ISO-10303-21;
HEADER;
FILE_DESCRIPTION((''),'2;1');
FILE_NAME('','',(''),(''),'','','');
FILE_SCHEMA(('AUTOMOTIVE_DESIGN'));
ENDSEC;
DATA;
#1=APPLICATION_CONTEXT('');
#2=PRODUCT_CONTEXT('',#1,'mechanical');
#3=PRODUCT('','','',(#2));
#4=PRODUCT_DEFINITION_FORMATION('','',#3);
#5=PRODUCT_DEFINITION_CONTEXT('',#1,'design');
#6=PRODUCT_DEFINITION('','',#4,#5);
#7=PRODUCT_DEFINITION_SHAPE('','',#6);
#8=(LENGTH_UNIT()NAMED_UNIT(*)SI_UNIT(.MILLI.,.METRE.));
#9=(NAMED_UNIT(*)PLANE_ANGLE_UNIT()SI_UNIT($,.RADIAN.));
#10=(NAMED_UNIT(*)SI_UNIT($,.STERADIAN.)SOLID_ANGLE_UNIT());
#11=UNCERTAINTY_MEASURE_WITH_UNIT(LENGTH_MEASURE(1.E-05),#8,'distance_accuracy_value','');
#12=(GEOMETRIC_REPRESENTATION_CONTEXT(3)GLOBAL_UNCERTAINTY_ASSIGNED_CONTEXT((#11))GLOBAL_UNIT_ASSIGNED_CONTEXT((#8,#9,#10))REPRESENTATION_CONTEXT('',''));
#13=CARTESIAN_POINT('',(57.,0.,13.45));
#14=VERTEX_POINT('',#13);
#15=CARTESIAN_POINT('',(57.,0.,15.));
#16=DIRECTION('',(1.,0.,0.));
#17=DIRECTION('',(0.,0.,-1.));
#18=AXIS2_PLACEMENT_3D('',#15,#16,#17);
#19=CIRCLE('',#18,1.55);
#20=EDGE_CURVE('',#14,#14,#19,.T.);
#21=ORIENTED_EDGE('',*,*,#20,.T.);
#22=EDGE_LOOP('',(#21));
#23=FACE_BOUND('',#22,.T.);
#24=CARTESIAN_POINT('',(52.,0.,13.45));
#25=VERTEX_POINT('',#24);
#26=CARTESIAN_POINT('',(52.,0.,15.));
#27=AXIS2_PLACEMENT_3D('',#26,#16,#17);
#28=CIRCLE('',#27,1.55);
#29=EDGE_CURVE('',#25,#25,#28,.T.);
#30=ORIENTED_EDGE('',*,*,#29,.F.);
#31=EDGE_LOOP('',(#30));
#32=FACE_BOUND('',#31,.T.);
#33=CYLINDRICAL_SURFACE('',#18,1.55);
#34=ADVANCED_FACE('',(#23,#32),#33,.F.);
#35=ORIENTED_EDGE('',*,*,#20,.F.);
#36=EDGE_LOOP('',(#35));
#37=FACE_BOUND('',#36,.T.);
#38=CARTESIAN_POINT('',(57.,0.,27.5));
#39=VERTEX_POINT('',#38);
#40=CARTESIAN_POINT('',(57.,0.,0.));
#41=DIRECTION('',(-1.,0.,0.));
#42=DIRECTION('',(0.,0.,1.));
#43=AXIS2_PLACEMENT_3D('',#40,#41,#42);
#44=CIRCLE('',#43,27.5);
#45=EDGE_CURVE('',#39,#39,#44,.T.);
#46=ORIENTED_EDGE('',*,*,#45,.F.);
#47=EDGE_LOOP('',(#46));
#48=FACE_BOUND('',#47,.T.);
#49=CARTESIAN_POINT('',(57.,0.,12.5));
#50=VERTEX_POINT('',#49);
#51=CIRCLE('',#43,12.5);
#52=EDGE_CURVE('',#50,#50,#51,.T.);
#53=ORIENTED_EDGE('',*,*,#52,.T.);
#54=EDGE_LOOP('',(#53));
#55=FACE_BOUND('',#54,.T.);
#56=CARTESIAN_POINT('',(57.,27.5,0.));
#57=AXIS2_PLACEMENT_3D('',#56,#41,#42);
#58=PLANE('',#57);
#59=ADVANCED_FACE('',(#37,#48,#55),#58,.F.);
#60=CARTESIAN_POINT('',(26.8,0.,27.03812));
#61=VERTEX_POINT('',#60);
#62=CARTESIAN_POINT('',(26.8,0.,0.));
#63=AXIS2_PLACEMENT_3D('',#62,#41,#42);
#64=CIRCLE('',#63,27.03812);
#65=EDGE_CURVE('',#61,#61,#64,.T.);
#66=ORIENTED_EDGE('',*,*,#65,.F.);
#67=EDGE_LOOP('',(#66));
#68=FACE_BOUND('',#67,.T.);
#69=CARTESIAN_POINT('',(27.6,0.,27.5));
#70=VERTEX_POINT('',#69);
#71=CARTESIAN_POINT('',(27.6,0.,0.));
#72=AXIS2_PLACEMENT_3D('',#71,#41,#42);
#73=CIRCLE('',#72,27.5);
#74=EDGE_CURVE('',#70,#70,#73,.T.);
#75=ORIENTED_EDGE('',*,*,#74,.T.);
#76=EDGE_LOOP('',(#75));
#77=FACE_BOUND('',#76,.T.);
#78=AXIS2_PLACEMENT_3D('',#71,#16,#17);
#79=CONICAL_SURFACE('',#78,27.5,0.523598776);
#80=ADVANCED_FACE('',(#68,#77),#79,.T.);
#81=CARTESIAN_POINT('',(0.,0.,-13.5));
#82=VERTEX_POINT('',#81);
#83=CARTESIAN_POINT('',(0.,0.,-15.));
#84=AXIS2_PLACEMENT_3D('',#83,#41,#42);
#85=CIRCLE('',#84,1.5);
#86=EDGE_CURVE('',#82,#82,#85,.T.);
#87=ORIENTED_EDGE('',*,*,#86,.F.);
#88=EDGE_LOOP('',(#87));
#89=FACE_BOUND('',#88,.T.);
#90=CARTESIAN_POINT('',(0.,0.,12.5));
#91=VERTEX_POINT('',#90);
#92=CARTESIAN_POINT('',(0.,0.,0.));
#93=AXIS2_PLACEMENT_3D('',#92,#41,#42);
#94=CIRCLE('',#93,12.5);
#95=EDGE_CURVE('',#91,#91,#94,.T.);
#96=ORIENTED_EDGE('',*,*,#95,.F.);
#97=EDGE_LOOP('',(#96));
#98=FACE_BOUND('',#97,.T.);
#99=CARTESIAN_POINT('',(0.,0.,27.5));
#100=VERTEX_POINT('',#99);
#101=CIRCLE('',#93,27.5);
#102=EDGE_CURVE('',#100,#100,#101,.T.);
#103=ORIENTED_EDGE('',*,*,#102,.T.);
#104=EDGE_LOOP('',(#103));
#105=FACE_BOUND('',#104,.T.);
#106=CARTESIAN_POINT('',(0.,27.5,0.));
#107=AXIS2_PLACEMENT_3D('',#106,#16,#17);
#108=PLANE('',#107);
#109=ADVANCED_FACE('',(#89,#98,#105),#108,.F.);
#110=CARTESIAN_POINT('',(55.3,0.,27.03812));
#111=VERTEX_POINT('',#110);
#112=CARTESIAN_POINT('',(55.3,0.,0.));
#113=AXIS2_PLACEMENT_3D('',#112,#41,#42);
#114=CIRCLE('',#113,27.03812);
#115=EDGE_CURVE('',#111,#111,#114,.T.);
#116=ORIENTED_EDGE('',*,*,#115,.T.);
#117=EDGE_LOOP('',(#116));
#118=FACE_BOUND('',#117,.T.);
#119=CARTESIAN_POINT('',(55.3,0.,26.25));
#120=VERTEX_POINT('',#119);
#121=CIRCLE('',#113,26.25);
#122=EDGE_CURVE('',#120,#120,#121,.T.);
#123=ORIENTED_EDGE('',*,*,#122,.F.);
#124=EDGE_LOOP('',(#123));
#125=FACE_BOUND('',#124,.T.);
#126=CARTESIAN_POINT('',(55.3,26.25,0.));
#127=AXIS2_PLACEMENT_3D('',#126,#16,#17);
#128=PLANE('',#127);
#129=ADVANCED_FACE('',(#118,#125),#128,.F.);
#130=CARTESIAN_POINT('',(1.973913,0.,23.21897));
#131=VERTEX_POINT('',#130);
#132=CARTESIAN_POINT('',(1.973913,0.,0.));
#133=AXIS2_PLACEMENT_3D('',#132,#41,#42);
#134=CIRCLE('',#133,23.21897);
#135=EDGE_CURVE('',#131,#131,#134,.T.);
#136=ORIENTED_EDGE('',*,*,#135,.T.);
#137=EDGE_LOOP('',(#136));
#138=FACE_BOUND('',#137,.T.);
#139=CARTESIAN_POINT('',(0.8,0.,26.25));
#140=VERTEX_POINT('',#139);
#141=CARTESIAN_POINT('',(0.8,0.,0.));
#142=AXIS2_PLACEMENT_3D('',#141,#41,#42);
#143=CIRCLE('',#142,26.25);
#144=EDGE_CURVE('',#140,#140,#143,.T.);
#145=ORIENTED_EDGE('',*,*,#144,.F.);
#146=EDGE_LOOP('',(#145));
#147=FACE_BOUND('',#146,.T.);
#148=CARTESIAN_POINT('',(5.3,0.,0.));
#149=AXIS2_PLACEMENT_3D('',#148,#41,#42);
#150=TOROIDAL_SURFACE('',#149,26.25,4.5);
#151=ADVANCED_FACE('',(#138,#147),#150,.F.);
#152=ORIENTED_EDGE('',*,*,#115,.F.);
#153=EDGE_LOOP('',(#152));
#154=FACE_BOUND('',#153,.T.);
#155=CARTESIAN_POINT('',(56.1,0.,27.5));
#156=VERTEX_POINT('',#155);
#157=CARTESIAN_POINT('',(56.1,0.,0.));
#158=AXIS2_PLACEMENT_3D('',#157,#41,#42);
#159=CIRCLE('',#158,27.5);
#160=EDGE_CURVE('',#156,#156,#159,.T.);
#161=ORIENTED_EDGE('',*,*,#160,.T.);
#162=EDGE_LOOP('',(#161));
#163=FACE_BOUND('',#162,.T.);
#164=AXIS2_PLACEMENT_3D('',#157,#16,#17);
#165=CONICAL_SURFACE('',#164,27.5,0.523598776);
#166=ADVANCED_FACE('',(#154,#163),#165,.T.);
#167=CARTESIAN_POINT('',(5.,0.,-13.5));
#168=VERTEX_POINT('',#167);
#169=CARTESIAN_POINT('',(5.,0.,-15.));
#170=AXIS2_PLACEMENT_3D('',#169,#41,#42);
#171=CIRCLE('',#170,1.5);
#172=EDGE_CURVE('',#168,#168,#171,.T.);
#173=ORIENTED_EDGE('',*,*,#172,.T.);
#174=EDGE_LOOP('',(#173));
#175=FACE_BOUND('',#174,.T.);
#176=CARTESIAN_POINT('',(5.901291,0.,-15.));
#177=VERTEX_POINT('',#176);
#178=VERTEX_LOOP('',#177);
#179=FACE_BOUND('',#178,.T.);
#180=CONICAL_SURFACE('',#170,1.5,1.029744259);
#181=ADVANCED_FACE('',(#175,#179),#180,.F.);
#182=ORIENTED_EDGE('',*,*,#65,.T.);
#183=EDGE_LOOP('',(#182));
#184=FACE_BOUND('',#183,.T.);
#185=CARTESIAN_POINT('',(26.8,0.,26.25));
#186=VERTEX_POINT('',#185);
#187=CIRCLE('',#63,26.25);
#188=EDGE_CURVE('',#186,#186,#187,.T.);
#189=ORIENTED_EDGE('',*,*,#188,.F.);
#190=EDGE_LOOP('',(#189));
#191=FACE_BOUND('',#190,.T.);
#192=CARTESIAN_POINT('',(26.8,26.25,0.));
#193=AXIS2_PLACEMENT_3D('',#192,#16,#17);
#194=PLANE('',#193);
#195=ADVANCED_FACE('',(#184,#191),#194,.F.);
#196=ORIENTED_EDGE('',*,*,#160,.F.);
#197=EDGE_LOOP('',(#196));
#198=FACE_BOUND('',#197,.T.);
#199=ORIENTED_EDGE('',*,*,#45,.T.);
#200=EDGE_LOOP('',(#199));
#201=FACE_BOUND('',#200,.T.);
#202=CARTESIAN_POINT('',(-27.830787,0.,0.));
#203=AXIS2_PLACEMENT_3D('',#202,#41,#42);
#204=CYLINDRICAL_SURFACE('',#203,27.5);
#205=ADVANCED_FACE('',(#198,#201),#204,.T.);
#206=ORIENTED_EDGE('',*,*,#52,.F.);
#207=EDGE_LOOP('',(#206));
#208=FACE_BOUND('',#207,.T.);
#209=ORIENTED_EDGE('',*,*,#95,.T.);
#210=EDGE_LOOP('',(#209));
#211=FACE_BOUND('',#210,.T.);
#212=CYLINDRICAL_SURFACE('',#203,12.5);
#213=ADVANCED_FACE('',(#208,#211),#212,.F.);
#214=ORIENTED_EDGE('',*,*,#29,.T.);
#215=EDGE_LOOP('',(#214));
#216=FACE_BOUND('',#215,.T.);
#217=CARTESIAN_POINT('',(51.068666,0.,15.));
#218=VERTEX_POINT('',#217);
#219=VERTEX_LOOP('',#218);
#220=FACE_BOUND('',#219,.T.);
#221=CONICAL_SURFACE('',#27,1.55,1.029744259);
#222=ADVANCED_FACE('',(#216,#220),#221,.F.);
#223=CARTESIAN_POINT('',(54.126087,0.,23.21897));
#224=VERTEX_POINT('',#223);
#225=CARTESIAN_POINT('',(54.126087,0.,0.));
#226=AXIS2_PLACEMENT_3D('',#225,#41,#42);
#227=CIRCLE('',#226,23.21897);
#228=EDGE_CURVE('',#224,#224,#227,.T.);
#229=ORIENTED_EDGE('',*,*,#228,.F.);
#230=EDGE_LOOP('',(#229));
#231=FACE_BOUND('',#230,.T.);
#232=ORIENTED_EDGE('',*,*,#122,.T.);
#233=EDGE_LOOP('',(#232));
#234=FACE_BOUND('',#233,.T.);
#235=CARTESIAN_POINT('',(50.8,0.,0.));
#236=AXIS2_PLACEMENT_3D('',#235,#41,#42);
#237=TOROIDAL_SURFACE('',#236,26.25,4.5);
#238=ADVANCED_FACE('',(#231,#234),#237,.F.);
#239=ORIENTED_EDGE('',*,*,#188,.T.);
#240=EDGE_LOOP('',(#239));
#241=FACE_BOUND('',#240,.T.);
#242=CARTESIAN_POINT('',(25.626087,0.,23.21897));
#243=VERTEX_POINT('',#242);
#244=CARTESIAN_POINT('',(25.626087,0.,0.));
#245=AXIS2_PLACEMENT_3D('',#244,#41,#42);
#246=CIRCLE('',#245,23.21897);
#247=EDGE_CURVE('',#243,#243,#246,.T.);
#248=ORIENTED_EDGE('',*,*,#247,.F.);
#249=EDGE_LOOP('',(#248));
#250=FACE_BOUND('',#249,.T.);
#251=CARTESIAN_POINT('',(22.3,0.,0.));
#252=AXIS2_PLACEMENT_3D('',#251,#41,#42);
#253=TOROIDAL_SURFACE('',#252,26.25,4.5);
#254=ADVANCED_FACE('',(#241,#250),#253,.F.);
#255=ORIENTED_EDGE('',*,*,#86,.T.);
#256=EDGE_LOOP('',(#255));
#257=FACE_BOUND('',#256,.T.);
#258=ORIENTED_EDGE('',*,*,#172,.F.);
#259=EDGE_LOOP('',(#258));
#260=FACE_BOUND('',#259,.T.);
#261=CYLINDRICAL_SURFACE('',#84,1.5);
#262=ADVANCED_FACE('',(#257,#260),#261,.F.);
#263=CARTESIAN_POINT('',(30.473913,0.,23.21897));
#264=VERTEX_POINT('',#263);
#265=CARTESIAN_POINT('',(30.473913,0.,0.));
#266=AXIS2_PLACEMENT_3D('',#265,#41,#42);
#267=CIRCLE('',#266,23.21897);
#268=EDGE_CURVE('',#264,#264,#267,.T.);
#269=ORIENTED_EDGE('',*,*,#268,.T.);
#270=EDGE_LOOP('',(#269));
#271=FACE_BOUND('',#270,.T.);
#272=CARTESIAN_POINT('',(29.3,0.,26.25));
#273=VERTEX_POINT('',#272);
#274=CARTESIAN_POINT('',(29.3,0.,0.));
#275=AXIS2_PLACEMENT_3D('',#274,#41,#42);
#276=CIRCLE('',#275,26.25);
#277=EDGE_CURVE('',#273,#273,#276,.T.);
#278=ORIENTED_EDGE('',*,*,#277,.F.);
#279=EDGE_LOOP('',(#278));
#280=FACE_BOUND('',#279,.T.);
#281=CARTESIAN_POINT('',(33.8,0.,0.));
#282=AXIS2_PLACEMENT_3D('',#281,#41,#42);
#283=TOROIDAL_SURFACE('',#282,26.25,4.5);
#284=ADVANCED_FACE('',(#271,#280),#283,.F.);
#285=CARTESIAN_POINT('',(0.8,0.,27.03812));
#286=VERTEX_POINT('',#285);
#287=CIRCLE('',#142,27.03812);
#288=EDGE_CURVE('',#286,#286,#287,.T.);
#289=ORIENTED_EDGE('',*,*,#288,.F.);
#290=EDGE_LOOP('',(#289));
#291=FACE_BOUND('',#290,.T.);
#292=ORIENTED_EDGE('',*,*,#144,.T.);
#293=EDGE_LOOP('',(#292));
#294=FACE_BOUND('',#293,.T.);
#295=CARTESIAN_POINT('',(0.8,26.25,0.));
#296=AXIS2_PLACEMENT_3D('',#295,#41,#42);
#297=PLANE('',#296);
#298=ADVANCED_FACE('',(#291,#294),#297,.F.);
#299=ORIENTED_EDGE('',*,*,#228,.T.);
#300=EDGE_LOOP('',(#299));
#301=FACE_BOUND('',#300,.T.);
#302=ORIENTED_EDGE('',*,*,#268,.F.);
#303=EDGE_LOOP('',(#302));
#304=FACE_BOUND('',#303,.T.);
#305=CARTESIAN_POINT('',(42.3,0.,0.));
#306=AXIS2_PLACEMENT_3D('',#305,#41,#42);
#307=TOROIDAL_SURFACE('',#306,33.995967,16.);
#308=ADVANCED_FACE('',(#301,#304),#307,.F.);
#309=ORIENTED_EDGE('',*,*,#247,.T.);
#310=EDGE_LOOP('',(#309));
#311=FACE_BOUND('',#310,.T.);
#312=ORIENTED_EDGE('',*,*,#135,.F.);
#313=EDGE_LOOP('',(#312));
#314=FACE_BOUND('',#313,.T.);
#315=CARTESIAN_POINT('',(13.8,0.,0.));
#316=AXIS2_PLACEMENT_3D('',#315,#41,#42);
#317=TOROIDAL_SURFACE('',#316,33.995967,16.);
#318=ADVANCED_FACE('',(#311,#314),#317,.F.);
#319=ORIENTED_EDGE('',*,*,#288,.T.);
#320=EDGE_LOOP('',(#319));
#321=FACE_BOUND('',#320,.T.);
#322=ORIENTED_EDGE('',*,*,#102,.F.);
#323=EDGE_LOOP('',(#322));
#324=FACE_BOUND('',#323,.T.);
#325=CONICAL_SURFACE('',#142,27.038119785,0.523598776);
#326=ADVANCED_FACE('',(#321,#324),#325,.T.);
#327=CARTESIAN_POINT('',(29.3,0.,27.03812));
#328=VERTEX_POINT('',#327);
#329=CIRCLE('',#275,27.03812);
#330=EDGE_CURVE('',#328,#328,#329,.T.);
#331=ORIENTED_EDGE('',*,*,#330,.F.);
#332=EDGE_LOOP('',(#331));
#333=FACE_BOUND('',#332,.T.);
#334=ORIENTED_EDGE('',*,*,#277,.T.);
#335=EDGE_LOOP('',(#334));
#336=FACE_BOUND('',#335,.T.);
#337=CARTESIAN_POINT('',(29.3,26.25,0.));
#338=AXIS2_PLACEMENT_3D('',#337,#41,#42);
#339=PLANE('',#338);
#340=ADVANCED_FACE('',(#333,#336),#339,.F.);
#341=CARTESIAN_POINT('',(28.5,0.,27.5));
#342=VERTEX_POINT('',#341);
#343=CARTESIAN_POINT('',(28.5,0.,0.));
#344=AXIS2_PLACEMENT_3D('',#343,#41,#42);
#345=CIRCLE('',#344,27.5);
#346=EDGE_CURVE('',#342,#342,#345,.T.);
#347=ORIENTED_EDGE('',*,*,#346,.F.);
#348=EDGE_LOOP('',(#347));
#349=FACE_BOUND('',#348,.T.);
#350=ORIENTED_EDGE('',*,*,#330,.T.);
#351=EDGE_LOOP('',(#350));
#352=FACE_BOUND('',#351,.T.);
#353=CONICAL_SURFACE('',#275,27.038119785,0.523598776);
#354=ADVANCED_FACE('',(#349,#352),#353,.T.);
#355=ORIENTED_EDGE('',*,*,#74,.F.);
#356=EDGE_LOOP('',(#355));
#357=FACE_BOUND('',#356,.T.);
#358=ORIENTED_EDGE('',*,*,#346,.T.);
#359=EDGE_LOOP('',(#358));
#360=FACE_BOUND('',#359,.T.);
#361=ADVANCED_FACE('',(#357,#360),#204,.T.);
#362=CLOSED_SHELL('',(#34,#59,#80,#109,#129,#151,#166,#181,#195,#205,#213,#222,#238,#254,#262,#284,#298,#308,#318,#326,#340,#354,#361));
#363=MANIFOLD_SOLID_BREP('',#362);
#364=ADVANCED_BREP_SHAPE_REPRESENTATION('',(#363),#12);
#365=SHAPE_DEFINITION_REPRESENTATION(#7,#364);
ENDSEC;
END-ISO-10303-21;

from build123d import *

# Parameters (mm, degrees)
F_3_0_3_DURCHMESSER_BOHRUNG2_D       = 3
F_3_0_3_DURCHMESSER_BOHRUNG2_DEPTH   = 5
F_3_0_3_DURCHMESSER_BOHRUNG2_TIP     = 0.901290929
F_3_1_3_1_DURCHMESSER_BOHRUNG2_D     = 3.1
F_3_1_3_1_DURCHMESSER_BOHRUNG2_DEPTH = 5
F_3_1_3_1_DURCHMESSER_BOHRUNG2_TIP   = 0.931333959


with BuildPart() as part:
    # Skizze1 → Rotation2 (revolve)
    with BuildSketch(Plane.XY, mode=Mode.PRIVATE) as rotation2_sk:
        with BuildLine():
            Line((0, 12.5), (57, 12.5))
            Line((57, 12.5), (57, 27.5))
            Line((57, 27.5), (56.1, 27.5))
            Line((56.1, 27.5), (55.3, 27.038119785))
            Line((55.3, 27.038119785), (55.3, 26.25))
            ThreePointArc((55.3, 26.25), (54.996271637, 24.624790983), (54.126086957, 23.218969555))
            ThreePointArc((54.126086957, 23.218969555), (48.599332181, 19.288199558), (41.940765292, 18))
            ThreePointArc((41.940765292, 18), (35.672034489, 19.43334079), (30.473913043, 23.218969555))
            ThreePointArc((30.473913043, 23.218969555), (29.603728363, 24.624790983), (29.3, 26.25))
            Line((29.3, 26.25), (29.3, 27.038119785))
            Line((29.3, 27.038119785), (28.5, 27.5))
            Line((28.5, 27.5), (27.6, 27.5))
            Line((27.6, 27.5), (26.8, 27.038119785))
            Line((26.8, 27.038119785), (26.8, 26.25))
            ThreePointArc((26.8, 26.25), (26.496271637, 24.624790983), (25.626086957, 23.218969555))
            ThreePointArc((25.626086957, 23.218969555), (20.099332181, 19.288199558), (13.440765292, 18))
            ThreePointArc((13.440765292, 18), (7.172034489, 19.43334079), (1.973913043, 23.218969555))
            ThreePointArc((1.973913043, 23.218969555), (1.103728363, 24.624790983), (0.8, 26.25))
            Line((0.8, 26.25), (0.8, 27.038119785))
            Line((0.8, 27.038119785), (0, 27.5))
            Line((0, 27.5), (0, 12.5))
        make_face()
    revolve(rotation2_sk.sketch.rotate(Axis((-27.830787446, 0, 0), (1, 0, 0)), 90), axis=Axis((-27.830787446, 0, 0), (1, 0, 0)))

    # Ø3.0 (3) Durchmesser Bohrung2
    with Locations(Plane.ZY):
        with Locations((-15, 0)):
            Hole(F_3_0_3_DURCHMESSER_BOHRUNG2_D / 2, depth=F_3_0_3_DURCHMESSER_BOHRUNG2_DEPTH)
            with Locations((0, 0, -(F_3_0_3_DURCHMESSER_BOHRUNG2_DEPTH + F_3_0_3_DURCHMESSER_BOHRUNG2_TIP / 2))):  # 118° drill point
                Cone(0, F_3_0_3_DURCHMESSER_BOHRUNG2_D / 2, F_3_0_3_DURCHMESSER_BOHRUNG2_TIP, mode=Mode.SUBTRACT)

    # Ø3.1 (3.1) Durchmesser Bohrung2
    with Locations(Plane(origin=(57, 0, 0), x_dir=(0, 0, -1), z_dir=(1, 0, 0))):
        with Locations((-15, 0)):
            Hole(F_3_1_3_1_DURCHMESSER_BOHRUNG2_D / 2, depth=F_3_1_3_1_DURCHMESSER_BOHRUNG2_DEPTH)
            with Locations((0, 0, -(F_3_1_3_1_DURCHMESSER_BOHRUNG2_DEPTH + F_3_1_3_1_DURCHMESSER_BOHRUNG2_TIP / 2))):  # 118° drill point
                Cone(0, F_3_1_3_1_DURCHMESSER_BOHRUNG2_D / 2, F_3_1_3_1_DURCHMESSER_BOHRUNG2_TIP, mode=Mode.SUBTRACT)


solid = part.part
